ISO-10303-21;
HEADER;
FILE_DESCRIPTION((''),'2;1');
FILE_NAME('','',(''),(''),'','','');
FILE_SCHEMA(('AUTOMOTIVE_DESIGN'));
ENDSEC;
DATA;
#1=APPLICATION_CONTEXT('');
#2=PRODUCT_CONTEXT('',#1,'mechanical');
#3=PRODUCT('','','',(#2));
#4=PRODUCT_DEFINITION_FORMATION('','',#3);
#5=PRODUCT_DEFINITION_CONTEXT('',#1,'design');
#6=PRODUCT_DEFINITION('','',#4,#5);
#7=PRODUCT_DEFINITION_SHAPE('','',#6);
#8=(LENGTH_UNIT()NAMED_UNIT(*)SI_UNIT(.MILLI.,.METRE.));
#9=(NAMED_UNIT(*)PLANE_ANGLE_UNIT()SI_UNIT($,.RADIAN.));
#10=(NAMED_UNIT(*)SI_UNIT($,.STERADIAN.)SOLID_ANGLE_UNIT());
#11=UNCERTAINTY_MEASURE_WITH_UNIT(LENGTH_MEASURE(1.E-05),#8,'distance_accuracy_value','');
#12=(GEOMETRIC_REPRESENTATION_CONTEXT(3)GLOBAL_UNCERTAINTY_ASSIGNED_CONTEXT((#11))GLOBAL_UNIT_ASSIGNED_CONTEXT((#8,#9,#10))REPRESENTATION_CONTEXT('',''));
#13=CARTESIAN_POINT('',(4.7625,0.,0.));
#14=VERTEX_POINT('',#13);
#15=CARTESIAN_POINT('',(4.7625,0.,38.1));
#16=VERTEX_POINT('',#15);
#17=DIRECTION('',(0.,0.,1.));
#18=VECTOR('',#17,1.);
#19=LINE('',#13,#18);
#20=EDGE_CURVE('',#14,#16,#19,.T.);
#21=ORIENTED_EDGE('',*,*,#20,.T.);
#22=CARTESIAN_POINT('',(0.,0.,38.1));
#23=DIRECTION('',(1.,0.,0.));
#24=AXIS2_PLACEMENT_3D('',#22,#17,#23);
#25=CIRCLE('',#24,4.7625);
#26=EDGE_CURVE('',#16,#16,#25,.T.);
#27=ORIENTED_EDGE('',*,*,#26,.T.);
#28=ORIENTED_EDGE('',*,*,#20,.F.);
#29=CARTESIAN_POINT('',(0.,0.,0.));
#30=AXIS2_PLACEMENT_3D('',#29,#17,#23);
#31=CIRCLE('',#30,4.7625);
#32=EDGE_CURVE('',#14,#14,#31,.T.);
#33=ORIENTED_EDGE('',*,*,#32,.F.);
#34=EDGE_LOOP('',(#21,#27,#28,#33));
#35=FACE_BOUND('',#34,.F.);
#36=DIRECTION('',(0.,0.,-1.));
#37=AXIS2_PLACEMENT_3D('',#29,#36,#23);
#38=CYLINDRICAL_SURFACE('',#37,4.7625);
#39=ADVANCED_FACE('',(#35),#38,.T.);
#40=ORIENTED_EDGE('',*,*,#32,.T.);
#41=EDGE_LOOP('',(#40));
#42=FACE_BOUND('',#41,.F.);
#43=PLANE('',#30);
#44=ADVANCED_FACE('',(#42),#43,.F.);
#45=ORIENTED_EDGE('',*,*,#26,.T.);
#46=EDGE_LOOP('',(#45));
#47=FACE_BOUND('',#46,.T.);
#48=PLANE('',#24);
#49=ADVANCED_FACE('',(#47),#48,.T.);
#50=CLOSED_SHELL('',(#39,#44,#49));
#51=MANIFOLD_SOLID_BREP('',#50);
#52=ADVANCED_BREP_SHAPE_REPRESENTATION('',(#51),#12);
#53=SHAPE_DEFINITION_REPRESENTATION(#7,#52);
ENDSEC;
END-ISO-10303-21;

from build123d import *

# Parameters (mm, degrees)
SKETCH1_R           = 4.7625
BOSS_EXTRUDE1_DEPTH = 38.1


with BuildPart() as part:
    # Sketch1 → Boss-Extrude1 (new body)
    with BuildSketch(Plane.XY):
        Circle(SKETCH1_R)
    extrude(amount=BOSS_EXTRUDE1_DEPTH)


solid = part.part
